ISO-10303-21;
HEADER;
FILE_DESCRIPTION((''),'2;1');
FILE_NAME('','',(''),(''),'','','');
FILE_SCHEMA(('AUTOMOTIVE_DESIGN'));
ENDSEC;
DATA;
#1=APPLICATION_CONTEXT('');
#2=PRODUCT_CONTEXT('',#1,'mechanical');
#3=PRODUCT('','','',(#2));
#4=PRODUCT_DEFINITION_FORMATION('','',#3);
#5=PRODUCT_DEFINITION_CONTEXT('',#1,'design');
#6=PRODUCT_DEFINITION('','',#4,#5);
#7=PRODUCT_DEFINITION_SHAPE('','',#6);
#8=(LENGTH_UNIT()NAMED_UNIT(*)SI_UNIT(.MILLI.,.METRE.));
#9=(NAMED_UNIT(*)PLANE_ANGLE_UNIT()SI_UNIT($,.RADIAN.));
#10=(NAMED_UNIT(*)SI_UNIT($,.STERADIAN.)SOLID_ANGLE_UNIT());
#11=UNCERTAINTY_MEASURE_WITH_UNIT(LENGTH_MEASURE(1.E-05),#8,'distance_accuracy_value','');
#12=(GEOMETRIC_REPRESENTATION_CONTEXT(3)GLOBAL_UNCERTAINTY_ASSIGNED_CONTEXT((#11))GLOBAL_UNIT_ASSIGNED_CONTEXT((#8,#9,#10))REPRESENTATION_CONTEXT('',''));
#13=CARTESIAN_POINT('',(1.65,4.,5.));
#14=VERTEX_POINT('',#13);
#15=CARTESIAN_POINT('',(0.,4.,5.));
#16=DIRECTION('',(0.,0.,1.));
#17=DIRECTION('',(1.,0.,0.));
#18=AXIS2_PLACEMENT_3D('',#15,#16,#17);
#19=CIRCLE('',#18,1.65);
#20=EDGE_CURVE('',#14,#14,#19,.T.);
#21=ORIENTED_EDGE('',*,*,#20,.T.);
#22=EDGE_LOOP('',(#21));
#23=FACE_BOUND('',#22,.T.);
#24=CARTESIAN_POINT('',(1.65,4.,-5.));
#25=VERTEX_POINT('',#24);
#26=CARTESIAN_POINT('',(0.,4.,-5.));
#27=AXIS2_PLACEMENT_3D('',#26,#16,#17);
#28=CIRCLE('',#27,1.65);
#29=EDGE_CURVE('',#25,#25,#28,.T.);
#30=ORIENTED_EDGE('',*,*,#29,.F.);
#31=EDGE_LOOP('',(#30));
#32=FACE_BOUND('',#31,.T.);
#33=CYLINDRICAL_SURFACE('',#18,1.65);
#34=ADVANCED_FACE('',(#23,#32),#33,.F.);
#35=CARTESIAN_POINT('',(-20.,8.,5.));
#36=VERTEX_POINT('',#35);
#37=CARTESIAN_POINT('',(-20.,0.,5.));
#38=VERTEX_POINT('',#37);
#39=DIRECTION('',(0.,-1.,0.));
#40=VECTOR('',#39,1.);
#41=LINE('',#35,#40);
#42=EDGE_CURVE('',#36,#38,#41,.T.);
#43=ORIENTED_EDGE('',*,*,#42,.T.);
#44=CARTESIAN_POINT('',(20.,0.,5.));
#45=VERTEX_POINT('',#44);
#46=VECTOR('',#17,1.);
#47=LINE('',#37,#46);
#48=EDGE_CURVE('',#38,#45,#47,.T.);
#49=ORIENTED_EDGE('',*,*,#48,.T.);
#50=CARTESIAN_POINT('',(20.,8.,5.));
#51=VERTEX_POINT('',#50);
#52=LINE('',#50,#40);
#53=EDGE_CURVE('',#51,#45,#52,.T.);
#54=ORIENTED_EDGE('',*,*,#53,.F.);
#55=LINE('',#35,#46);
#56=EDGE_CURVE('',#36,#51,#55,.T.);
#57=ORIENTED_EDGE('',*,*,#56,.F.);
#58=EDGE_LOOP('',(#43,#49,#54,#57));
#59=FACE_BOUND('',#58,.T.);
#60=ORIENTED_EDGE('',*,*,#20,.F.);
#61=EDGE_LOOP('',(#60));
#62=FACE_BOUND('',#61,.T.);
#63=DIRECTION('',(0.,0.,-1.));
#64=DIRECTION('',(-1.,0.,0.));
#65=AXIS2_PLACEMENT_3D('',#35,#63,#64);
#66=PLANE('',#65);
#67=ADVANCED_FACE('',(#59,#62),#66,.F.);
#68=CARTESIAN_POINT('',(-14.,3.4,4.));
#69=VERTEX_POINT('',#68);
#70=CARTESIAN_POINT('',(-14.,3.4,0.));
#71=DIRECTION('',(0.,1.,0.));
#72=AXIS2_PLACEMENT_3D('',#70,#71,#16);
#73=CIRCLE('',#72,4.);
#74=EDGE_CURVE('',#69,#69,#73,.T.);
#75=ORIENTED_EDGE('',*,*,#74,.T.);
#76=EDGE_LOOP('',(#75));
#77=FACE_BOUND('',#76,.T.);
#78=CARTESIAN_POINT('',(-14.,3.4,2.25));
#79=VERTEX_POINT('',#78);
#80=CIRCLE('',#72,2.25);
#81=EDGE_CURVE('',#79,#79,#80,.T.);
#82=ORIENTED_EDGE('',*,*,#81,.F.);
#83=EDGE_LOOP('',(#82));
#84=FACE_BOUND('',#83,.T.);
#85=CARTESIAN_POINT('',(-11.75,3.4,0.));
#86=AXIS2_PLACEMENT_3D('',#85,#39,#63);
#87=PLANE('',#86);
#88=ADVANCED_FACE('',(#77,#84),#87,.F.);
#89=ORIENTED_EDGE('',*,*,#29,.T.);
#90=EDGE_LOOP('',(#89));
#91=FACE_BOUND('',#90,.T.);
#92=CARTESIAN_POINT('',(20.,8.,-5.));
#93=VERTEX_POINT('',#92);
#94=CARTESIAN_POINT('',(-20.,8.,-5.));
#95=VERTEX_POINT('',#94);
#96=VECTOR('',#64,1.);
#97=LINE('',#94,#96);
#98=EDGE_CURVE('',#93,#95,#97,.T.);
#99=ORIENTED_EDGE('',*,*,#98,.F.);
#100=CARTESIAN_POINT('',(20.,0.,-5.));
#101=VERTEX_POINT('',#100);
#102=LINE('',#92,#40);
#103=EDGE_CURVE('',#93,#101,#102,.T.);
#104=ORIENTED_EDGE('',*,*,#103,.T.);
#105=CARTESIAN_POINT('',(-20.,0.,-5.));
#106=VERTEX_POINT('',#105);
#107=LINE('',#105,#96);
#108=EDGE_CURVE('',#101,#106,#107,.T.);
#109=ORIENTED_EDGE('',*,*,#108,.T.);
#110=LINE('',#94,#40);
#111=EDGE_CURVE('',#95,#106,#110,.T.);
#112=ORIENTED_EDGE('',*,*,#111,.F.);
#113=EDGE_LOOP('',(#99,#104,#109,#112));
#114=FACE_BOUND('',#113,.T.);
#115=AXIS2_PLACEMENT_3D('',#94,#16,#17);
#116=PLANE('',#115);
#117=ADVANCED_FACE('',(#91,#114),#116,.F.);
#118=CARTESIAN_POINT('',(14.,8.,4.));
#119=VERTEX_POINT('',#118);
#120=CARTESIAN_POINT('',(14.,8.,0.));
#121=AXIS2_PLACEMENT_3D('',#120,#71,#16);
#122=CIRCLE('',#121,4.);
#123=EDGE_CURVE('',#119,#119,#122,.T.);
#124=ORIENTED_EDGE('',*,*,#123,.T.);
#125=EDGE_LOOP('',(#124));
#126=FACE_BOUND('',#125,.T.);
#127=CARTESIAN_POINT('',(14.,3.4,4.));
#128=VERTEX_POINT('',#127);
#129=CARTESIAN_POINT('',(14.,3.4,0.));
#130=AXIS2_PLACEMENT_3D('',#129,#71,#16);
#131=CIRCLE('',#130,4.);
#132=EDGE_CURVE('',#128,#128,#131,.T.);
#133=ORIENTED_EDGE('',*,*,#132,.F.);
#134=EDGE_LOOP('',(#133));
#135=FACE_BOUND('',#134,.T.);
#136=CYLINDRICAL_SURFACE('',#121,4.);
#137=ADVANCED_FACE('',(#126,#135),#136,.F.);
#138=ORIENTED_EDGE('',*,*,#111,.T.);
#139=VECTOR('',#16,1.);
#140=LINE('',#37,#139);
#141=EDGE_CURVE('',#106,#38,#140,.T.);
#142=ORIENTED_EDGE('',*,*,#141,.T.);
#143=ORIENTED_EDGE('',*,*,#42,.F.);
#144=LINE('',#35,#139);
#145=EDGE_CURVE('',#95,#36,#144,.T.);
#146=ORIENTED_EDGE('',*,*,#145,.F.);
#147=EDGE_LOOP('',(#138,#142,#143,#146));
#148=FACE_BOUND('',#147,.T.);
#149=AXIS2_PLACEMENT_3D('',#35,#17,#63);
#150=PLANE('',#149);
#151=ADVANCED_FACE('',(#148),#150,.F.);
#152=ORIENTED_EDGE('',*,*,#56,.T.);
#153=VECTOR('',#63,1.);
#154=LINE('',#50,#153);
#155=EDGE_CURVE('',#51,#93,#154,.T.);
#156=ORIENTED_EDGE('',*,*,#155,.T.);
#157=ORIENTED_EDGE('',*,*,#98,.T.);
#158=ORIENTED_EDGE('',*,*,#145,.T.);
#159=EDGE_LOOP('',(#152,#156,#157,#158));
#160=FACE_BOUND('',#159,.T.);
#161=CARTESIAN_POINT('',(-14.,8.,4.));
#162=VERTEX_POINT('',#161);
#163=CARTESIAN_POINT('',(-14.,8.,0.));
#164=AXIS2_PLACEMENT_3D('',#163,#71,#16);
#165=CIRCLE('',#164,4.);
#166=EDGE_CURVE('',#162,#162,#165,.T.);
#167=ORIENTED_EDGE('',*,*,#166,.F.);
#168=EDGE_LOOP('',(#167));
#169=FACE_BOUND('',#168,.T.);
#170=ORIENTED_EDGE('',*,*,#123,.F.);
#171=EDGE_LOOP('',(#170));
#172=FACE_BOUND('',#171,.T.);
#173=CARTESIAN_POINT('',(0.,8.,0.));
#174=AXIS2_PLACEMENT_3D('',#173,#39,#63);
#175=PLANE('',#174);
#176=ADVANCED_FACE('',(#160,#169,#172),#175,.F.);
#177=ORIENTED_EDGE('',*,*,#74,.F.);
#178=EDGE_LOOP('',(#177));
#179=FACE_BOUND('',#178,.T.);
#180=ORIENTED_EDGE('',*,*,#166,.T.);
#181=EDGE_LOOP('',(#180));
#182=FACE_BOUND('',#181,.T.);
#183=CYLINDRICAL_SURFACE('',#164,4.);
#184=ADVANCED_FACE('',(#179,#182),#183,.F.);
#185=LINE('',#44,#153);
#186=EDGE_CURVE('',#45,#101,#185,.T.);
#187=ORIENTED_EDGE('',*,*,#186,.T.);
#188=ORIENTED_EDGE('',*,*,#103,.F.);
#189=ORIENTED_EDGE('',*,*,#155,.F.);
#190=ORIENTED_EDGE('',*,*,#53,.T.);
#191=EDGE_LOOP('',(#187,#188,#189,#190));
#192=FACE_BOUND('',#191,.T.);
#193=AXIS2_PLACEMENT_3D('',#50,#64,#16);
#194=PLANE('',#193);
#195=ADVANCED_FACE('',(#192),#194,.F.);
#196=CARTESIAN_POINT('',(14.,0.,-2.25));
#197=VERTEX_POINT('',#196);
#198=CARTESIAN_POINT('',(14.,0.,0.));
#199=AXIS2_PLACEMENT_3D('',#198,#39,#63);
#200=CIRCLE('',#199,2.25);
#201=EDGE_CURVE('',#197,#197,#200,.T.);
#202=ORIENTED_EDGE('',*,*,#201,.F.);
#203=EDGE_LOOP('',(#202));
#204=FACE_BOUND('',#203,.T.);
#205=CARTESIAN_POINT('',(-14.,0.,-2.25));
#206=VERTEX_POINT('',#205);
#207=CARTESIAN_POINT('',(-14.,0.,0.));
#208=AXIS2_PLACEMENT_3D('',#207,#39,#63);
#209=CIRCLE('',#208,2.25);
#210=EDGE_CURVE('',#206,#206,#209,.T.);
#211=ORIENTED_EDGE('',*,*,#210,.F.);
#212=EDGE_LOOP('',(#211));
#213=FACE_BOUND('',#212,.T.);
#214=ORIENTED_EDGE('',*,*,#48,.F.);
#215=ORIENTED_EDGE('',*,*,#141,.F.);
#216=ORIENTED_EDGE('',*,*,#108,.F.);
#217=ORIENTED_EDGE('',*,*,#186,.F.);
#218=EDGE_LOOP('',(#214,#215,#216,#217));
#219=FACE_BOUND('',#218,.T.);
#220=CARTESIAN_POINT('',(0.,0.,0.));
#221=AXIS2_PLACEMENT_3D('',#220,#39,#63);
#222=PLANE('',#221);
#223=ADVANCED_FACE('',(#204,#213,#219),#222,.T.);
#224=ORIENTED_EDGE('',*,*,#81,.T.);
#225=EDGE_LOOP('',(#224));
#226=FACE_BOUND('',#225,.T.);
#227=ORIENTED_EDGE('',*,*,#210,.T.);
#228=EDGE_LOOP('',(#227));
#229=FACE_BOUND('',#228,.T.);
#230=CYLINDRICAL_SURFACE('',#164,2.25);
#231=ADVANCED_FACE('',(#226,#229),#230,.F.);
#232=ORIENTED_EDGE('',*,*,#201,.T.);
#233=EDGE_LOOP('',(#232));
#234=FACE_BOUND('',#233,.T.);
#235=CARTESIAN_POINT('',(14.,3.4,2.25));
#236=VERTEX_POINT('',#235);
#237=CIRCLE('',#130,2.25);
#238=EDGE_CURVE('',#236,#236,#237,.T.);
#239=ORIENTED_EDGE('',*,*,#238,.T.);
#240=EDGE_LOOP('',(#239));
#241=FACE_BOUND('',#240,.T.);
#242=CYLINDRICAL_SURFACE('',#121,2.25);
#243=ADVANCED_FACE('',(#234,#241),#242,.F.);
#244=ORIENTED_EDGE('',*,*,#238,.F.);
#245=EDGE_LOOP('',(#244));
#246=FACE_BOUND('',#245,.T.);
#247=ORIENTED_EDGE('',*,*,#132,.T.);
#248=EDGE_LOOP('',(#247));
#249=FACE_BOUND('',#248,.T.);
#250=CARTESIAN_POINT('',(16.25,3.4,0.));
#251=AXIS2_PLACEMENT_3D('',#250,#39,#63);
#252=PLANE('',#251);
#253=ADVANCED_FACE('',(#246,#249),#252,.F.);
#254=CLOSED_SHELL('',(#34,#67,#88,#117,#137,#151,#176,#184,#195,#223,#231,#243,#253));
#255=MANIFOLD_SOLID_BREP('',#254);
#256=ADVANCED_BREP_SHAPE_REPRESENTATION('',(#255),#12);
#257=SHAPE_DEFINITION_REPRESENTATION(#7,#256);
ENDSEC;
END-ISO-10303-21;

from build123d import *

# Parameters (mm, degrees)
SKETCH_1_W                = 40
SKETCH_1_H                = 10
EXTRUDE_1_DEPTH           = 8
HOLE_WIZARD_1_D           = 4.5
HOLE_WIZARD_1_CBORE_D     = 8
HOLE_WIZARD_1_CBORE_DEPTH = 4.6
HOLE_WIZARD_M4_1_D        = 3.3


with BuildPart() as part:
    # 草图1 → 凸台-拉伸1 (new body)
    with BuildSketch(Plane(origin=(0, 0, 0), x_dir=(1, 0, 0), z_dir=(0, 1, 0))):
        Rectangle(SKETCH_1_W, SKETCH_1_H)
    extrude(amount=EXTRUDE_1_DEPTH)

    # 打孔尺寸(%根据)内六角圆柱头螺钉的类型1 (through all)
    with Locations(Plane(origin=(0, 8, 0), x_dir=(1, 0, 0), z_dir=(0, 1, 0))):
        with Locations((14, 0), (-14, 0)):
            CounterBoreHole(HOLE_WIZARD_1_D / 2, HOLE_WIZARD_1_CBORE_D / 2, HOLE_WIZARD_1_CBORE_DEPTH)

    # M4 螺纹孔1 (through all)
    with Locations(Plane.XY.offset(5)):
        with Locations((0, 4)):
            Hole(HOLE_WIZARD_M4_1_D / 2)


solid = part.part
